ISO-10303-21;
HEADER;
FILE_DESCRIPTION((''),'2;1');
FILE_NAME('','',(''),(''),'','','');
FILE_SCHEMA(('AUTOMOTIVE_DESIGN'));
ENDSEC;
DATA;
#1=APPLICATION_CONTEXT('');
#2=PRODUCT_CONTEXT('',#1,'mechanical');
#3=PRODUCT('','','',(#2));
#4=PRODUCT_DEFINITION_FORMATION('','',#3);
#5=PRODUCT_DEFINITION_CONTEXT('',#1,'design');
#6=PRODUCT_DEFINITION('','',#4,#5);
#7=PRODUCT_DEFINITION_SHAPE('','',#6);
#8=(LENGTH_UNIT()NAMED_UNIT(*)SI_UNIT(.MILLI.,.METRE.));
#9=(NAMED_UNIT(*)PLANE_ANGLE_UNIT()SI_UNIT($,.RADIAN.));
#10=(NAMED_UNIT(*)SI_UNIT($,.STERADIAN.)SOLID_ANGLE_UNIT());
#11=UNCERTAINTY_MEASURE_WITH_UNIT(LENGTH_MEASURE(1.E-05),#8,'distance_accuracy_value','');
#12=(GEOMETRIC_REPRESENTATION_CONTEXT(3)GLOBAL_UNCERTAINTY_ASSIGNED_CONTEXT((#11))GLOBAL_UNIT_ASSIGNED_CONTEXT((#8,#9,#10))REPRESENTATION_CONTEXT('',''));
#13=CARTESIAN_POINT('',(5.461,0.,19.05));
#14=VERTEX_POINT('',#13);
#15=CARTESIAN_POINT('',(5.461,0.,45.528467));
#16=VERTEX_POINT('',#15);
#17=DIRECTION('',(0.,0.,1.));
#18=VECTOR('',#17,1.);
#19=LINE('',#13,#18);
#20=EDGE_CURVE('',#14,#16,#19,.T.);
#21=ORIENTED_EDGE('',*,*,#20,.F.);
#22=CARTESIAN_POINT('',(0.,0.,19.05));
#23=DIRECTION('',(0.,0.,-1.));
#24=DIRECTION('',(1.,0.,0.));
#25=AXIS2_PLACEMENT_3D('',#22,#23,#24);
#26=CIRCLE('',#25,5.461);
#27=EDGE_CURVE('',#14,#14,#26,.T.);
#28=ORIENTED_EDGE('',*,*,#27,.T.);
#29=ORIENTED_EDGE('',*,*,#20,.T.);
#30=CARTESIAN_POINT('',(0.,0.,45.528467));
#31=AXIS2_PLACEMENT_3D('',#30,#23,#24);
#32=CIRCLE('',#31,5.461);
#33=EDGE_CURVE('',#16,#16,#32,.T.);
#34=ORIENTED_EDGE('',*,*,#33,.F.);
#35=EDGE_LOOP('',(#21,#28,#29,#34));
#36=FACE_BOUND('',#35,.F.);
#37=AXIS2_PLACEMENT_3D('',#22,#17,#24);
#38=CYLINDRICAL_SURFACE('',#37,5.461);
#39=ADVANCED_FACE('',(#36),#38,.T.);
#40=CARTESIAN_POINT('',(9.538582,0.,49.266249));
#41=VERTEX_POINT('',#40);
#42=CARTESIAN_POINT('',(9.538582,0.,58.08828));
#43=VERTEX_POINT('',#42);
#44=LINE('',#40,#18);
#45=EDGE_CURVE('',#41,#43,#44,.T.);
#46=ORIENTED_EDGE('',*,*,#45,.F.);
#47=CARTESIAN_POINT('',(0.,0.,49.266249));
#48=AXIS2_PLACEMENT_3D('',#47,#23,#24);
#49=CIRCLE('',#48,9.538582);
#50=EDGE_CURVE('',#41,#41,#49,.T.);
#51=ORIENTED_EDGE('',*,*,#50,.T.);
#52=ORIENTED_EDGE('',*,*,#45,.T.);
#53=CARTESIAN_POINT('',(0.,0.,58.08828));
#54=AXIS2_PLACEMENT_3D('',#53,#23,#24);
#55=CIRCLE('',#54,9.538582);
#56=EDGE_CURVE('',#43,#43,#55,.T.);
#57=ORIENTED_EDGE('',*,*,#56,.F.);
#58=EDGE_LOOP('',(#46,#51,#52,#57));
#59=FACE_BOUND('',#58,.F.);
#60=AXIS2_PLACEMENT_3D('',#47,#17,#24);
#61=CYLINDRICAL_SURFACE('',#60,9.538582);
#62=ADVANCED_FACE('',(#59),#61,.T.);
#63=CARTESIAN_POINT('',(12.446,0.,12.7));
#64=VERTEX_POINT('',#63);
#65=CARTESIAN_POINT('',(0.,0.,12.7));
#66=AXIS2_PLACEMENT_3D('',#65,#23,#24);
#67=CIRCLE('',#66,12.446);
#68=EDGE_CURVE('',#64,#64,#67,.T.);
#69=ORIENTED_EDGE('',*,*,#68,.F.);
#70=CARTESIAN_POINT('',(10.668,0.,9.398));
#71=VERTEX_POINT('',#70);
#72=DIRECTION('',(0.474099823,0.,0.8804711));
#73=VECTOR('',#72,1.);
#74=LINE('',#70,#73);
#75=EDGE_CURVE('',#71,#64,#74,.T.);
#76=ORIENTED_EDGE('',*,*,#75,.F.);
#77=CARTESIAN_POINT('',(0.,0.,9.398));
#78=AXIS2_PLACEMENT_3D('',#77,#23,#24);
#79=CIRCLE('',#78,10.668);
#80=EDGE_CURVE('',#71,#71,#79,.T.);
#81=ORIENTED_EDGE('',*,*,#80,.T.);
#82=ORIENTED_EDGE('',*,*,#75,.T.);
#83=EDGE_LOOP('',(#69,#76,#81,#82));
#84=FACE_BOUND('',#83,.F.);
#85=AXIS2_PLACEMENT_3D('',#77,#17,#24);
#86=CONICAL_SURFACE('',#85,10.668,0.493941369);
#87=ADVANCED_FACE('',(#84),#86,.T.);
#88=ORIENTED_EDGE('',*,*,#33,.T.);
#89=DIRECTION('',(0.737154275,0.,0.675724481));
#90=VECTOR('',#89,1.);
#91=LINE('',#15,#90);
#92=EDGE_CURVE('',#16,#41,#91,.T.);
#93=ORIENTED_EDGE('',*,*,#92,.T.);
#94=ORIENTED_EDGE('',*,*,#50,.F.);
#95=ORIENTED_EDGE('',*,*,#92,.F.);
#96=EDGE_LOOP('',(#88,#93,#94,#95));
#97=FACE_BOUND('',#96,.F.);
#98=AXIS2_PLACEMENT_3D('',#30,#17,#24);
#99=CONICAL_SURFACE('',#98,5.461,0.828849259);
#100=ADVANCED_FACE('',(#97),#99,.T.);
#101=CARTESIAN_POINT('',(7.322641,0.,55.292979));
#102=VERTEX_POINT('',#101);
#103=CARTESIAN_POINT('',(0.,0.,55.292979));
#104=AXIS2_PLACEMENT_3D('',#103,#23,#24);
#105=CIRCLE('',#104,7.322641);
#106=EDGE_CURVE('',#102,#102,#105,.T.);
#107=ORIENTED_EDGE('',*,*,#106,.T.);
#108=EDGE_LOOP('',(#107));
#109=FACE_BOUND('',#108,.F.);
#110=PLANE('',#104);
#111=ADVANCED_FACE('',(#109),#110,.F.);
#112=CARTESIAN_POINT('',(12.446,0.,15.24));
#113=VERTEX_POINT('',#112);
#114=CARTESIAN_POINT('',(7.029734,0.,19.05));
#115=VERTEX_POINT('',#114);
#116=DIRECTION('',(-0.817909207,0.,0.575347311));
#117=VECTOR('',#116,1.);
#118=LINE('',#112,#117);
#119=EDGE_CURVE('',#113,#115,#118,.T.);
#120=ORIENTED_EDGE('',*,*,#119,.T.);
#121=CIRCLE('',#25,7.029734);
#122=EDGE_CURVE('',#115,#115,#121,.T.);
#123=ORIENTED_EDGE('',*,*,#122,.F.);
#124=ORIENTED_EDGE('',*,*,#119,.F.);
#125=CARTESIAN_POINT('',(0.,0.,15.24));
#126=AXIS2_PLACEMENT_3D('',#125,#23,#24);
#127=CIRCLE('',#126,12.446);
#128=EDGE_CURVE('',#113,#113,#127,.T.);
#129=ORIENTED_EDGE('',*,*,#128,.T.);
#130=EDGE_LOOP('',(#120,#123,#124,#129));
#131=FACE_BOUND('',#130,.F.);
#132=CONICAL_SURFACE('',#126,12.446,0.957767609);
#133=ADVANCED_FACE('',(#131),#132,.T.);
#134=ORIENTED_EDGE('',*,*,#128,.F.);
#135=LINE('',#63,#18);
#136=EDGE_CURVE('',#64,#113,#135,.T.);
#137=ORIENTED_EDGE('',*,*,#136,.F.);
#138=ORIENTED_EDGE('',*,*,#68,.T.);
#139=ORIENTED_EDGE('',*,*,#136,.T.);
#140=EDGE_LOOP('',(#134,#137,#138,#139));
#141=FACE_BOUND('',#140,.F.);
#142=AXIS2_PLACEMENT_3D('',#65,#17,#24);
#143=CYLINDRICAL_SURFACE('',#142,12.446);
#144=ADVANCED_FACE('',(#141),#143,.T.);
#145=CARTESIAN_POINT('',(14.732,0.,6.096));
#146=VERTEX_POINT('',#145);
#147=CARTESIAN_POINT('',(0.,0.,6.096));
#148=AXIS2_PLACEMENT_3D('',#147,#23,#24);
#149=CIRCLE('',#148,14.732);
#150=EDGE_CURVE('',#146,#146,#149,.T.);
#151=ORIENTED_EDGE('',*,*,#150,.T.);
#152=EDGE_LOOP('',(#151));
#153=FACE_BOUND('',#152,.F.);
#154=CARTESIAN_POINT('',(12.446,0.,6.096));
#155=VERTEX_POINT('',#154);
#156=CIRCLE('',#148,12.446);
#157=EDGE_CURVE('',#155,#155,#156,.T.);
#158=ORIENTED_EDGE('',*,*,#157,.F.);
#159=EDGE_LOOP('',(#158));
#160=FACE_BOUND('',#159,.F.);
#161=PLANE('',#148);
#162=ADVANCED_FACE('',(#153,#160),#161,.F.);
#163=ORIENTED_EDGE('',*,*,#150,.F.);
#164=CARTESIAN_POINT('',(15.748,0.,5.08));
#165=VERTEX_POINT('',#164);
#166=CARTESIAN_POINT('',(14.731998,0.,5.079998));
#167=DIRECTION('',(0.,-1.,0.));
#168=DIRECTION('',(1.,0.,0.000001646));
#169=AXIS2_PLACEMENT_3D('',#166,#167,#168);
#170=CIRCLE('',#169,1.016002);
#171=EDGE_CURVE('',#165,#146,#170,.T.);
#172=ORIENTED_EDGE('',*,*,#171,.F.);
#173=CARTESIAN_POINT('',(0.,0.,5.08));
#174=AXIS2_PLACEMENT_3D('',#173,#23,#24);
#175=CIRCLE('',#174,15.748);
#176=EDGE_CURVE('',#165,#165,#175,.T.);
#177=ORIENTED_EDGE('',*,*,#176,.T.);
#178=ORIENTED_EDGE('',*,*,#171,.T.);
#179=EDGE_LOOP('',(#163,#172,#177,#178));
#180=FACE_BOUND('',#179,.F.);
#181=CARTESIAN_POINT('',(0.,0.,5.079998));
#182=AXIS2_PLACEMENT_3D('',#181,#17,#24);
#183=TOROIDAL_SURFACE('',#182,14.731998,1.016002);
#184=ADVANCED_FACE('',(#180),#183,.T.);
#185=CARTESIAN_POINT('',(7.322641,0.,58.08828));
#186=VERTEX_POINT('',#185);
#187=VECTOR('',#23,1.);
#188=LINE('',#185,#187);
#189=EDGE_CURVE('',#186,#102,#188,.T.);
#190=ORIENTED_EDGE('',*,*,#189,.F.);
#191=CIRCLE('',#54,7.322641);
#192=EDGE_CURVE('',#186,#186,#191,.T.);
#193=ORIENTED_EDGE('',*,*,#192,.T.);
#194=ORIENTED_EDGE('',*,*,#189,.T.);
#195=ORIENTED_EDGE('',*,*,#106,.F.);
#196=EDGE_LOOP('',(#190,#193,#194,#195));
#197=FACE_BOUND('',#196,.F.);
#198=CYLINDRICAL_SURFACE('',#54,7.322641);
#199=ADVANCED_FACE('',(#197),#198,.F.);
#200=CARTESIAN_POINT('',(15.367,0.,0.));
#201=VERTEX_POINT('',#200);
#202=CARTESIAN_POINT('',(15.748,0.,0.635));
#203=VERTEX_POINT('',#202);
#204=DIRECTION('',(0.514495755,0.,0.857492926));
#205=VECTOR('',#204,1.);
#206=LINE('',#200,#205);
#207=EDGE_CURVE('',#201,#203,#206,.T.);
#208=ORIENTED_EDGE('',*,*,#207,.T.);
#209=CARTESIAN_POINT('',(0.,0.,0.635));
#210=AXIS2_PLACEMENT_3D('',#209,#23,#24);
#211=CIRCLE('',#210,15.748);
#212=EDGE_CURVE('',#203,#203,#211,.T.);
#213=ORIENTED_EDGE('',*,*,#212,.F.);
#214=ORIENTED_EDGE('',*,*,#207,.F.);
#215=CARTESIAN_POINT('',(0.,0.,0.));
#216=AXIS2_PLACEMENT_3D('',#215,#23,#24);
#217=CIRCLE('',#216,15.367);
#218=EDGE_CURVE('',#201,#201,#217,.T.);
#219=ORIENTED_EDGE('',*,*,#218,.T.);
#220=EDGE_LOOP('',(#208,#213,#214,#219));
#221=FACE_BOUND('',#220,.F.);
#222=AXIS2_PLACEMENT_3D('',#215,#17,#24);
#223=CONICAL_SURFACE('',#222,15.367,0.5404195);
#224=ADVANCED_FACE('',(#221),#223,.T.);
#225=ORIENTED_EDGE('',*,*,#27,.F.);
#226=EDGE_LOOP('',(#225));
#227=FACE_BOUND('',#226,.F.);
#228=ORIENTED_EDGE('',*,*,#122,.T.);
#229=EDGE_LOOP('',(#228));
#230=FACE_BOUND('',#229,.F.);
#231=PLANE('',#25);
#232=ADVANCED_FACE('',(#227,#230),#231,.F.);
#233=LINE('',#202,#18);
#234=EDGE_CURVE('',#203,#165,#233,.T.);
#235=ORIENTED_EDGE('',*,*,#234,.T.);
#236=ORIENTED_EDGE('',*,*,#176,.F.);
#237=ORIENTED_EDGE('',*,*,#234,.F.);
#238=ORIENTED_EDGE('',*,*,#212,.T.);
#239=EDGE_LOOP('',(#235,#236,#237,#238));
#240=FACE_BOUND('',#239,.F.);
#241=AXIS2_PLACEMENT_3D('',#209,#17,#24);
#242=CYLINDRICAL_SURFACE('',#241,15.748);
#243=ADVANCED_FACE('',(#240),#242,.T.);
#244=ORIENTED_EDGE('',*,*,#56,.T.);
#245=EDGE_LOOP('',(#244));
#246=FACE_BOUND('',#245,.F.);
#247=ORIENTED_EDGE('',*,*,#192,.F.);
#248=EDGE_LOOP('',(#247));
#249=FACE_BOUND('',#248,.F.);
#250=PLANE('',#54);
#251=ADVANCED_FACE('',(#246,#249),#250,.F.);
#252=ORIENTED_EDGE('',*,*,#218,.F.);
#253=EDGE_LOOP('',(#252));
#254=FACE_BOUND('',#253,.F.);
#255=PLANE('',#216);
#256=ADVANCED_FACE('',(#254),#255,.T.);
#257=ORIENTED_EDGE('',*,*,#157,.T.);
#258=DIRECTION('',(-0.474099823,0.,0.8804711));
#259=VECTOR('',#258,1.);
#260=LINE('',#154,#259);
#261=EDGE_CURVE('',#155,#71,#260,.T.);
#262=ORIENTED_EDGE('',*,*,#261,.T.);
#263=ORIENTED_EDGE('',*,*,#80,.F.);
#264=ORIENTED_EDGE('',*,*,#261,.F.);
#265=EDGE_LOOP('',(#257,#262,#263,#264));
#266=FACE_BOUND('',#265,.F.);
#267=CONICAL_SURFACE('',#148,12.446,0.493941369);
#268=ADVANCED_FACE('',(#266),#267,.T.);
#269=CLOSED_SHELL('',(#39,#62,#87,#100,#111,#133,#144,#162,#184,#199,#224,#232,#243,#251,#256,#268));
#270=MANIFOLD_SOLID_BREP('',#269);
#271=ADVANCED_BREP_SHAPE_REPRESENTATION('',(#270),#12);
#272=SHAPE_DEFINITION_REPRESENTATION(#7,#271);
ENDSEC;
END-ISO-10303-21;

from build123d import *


with BuildPart() as f1:
    # F0 (on Front) → F1 (revolve)
    with BuildSketch(Plane.XZ):
        with BuildLine():
            Line((0, 0), (15.367, 0))
            Line((15.367, 0), (15.748, 0.635))
            Line((15.748, 0.635), (15.748, 5.08))
            ThreePointArc((15.748, 5.08), (15.45042, 5.79842), (14.732, 6.096))
            Line((14.732, 6.096), (12.446, 6.096))
            Line((12.446, 6.096), (10.668, 9.398))
            Line((10.668, 9.398), (12.446, 12.7))
            Line((12.446, 12.7), (12.446, 15.24))
            Line((12.446, 15.24), (7.029734, 19.05))
            Line((7.029734, 19.05), (5.461, 19.05))
            Line((5.461, 19.05), (5.461, 45.528467))
            Line((5.461, 45.528467), (9.538582, 49.266249))
            Line((9.538582, 49.266249), (9.538582, 58.08828))
            Line((9.538582, 58.08828), (7.322641, 58.08828))
            Line((7.322641, 58.08828), (7.322641, 55.292979))
            Line((7.322641, 55.292979), (0, 55.292979))
            Line((0, 55.292979), (0, 0))
        make_face()
    revolve(axis=Axis((0, 0, 27.646489), (0, 0, -1)))


solid = f1.part
